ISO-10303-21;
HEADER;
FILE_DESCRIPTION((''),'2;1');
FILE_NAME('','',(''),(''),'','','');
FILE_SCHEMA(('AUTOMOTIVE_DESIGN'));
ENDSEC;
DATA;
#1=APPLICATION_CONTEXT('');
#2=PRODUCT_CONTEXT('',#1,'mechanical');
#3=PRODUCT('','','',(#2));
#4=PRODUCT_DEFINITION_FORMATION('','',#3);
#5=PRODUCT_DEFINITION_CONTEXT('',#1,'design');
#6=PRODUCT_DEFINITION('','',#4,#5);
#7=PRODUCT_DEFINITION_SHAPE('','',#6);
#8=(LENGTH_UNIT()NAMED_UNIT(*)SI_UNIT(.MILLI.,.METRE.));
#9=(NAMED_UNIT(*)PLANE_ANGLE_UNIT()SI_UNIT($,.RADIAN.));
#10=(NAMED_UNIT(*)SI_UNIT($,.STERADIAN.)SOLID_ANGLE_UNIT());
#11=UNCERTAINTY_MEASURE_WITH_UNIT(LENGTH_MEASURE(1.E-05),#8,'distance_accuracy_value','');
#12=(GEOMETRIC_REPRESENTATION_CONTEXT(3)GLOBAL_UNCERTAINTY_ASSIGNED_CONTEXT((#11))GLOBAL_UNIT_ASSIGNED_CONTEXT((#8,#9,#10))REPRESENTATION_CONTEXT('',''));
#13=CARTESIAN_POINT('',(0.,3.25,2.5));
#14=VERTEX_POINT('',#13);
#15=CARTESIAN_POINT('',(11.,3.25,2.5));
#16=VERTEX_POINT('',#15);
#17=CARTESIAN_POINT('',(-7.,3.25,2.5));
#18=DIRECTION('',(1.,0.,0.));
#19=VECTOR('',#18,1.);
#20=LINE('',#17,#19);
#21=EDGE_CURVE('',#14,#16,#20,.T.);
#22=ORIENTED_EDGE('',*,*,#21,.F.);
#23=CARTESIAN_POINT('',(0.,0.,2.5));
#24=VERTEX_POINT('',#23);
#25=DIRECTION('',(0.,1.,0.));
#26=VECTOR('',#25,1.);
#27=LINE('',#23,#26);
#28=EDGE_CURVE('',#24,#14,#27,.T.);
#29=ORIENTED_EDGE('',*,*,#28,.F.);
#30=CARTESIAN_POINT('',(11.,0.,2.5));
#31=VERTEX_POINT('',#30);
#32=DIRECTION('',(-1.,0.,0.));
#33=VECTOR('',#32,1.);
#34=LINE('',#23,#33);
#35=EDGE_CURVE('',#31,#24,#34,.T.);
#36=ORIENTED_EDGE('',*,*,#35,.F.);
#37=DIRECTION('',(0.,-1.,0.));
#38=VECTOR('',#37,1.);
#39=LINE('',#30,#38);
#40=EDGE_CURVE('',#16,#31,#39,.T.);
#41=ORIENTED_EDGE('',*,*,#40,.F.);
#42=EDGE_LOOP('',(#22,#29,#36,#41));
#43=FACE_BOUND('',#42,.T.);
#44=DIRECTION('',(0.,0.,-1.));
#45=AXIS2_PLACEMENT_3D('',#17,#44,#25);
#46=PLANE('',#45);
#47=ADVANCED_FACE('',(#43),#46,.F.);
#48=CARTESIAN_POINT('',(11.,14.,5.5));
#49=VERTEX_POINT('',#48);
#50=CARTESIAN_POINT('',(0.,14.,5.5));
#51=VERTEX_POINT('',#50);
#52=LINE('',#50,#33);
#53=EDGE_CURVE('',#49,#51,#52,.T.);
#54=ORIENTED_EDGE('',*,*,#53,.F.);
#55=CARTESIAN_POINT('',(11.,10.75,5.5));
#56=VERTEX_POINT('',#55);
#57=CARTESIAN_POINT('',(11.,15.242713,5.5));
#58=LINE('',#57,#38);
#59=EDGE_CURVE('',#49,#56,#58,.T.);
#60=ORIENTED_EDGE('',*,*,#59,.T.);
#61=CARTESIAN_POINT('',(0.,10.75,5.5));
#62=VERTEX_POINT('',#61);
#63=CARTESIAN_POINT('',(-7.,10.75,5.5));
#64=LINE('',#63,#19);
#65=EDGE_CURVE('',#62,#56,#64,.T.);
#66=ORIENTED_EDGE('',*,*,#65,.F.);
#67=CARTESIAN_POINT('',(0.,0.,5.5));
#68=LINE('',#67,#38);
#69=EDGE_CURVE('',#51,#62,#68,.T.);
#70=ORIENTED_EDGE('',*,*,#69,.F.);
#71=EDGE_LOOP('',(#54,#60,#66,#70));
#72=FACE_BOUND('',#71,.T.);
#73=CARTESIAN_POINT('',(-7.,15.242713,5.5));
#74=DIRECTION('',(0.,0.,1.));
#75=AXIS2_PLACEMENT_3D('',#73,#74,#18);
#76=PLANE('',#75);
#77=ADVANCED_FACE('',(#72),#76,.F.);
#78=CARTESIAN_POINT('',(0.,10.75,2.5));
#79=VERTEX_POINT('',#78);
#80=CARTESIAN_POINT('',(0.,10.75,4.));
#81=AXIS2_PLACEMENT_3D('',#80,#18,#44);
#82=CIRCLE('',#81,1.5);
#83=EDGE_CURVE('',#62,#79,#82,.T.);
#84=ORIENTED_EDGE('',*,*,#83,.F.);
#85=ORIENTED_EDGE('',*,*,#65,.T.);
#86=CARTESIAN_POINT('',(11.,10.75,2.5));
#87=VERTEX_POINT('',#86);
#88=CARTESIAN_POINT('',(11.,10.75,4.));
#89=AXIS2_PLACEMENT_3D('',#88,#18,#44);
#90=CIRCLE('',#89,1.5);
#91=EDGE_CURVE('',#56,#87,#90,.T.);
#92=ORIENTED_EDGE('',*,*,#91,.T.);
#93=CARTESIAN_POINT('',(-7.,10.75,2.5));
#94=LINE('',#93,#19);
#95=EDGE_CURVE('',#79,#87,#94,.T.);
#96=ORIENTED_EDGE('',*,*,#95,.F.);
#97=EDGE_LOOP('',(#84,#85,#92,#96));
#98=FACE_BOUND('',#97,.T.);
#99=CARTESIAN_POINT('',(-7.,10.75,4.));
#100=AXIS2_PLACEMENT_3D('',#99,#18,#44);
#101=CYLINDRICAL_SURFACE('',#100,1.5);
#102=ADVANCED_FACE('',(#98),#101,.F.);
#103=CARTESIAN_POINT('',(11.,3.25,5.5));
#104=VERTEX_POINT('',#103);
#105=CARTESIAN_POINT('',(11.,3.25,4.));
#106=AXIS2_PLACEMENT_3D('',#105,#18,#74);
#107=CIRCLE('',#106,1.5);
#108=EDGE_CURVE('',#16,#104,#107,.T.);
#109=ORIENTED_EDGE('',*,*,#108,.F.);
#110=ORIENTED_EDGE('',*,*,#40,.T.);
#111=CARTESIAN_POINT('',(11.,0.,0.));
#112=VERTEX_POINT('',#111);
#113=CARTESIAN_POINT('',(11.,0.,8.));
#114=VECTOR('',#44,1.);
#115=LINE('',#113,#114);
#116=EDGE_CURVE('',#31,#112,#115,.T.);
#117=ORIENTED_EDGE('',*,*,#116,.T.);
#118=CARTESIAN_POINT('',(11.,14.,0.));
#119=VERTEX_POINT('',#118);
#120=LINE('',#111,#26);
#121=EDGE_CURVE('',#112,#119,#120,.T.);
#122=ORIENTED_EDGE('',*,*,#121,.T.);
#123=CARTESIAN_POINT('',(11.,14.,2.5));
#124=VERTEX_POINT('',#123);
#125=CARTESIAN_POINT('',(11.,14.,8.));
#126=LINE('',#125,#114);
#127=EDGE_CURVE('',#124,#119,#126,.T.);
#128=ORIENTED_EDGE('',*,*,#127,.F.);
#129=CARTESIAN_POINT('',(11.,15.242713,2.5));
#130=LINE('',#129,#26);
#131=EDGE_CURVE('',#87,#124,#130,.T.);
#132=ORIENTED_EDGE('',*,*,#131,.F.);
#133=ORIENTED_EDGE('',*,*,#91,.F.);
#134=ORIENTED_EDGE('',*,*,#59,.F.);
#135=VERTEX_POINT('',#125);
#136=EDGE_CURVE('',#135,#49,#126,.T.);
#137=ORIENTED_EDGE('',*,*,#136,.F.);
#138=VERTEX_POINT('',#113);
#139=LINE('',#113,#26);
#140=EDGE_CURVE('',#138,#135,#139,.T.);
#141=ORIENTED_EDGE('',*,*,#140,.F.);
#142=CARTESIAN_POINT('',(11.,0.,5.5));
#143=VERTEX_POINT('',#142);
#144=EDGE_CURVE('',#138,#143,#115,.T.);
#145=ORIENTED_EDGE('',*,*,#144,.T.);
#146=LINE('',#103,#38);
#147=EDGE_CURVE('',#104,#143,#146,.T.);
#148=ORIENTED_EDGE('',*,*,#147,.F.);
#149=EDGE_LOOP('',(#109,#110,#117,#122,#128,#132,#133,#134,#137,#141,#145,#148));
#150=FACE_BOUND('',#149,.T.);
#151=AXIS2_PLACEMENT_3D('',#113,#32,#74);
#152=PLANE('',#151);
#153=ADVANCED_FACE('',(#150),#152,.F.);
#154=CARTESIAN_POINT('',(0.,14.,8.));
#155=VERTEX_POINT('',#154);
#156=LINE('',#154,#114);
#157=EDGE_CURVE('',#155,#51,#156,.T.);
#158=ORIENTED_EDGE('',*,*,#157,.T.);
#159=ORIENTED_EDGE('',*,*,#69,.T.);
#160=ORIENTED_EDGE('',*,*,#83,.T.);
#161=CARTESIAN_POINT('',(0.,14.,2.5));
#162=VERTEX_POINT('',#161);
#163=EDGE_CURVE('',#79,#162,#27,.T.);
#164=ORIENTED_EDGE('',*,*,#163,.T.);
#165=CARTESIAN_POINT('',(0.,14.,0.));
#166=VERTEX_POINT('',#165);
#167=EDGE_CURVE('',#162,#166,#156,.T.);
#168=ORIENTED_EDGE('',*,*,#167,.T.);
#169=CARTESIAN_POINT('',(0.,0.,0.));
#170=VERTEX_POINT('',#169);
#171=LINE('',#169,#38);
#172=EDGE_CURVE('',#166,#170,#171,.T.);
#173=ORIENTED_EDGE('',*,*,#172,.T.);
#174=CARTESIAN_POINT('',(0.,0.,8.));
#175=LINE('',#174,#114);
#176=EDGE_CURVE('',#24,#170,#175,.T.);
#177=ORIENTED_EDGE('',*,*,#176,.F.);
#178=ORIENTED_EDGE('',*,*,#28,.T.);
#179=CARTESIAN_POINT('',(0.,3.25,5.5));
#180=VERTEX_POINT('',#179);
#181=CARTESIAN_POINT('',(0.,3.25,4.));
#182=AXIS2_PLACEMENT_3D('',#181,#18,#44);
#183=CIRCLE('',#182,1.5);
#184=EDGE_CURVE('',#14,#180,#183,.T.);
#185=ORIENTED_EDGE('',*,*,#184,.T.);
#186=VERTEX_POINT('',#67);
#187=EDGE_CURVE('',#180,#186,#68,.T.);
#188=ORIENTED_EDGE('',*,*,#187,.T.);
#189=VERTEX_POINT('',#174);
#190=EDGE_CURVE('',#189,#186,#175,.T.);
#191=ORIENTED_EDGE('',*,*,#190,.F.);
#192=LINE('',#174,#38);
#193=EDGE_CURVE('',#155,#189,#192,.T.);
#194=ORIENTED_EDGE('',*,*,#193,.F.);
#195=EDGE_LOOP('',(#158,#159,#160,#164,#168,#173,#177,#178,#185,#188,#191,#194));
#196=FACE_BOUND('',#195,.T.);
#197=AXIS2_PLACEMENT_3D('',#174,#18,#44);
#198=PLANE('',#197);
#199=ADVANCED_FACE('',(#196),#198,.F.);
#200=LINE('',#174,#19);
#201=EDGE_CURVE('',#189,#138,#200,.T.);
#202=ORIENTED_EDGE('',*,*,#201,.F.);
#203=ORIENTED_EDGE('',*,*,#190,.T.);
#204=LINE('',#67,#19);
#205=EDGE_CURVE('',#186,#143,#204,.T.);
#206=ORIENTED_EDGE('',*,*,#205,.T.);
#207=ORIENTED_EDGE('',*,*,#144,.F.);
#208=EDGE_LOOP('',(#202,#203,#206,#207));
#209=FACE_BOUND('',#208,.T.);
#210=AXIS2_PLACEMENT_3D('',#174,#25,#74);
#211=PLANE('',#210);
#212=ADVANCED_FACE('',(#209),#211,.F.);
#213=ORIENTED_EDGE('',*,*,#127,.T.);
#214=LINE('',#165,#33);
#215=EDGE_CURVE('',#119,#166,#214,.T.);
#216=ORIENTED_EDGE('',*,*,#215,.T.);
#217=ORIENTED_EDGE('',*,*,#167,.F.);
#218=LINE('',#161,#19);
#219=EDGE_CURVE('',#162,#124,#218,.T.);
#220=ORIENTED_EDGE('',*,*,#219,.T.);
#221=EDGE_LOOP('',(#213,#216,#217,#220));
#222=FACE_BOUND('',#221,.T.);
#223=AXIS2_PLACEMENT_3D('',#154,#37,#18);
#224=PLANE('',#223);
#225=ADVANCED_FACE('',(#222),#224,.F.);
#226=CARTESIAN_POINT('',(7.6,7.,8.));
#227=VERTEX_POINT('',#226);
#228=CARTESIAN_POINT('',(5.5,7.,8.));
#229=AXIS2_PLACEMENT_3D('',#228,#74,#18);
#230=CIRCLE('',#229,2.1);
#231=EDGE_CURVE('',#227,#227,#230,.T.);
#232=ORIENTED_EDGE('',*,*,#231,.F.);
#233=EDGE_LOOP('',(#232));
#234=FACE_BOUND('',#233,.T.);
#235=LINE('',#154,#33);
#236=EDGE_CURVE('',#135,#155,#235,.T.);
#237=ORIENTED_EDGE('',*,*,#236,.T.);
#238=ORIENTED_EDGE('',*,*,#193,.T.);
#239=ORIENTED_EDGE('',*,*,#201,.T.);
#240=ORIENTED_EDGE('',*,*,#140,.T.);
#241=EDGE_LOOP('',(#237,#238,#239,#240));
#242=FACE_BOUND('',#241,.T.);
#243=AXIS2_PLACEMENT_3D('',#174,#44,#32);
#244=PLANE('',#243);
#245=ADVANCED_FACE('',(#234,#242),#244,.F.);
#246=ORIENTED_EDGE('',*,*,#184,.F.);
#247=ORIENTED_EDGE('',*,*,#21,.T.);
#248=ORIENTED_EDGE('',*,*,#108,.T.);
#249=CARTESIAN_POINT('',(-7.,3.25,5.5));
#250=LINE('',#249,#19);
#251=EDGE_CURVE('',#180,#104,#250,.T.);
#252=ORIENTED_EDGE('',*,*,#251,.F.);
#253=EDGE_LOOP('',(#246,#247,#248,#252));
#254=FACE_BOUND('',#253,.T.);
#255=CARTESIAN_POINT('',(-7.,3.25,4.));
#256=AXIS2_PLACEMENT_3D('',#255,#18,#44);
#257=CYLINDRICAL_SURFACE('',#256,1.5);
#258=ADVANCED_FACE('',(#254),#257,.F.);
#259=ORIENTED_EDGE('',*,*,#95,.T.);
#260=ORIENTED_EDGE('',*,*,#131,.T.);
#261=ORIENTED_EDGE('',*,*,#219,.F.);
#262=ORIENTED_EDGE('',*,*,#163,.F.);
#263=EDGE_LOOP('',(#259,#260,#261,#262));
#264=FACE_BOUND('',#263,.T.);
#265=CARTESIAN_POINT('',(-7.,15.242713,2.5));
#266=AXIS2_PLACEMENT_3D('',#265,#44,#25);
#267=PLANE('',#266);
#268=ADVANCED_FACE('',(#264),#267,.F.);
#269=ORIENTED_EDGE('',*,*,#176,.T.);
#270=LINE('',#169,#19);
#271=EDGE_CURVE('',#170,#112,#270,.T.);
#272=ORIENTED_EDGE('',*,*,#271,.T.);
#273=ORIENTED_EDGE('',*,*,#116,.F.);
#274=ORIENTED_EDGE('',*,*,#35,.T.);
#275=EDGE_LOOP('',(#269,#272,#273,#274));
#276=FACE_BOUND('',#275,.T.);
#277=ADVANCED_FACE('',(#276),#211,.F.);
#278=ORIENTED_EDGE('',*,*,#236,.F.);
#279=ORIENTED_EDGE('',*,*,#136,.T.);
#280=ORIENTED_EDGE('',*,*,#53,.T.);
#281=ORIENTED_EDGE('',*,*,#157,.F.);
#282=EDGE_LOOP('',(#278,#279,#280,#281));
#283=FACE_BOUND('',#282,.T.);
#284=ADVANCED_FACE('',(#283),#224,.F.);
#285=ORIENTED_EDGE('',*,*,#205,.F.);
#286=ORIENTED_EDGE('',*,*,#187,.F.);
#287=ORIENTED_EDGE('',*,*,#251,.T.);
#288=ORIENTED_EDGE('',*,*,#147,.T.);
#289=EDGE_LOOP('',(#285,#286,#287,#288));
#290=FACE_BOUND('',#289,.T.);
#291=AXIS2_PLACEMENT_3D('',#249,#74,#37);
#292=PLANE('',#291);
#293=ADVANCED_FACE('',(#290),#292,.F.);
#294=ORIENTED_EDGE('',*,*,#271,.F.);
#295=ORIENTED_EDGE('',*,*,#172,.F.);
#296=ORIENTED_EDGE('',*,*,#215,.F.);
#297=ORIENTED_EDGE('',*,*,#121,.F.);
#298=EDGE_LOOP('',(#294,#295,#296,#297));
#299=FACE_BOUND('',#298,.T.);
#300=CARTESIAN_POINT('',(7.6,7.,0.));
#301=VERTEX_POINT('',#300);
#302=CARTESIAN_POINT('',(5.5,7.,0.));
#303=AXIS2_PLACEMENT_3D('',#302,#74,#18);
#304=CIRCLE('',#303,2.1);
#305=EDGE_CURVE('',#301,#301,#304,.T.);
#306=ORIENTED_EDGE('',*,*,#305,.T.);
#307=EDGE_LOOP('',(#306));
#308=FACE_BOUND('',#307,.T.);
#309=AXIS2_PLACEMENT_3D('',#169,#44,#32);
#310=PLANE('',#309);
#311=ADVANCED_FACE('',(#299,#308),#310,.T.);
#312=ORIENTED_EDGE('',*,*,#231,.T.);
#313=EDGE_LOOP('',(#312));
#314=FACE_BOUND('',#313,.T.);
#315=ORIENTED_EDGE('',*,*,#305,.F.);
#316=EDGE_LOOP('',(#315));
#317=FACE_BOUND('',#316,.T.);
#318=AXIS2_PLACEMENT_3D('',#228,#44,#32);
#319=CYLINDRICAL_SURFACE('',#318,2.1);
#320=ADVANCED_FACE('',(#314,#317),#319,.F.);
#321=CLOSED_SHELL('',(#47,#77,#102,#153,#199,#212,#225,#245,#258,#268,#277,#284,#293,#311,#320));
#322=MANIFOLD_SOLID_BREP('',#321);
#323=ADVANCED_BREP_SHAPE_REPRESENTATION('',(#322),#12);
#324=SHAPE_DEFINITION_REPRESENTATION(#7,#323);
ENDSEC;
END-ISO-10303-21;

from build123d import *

# Parameters (mm, degrees)
SKETCH_1_W          = 11
SKETCH_1_H          = 14
SKETCH_1_R          = 2.1
EXTRUDE_1_DEPTH     = 8
CUT_EXTRUDE_1_DEPTH = 18


with BuildPart() as part:
    # Эскиз1 → Вытянуть1 (new body)
    with BuildSketch(Plane.XY):
        with Locations((5.5, 7)):
            Rectangle(SKETCH_1_W, SKETCH_1_H)
        with Locations((5.5, 7)):
            Circle(SKETCH_1_R, mode=Mode.SUBTRACT)
    extrude(amount=EXTRUDE_1_DEPTH)

    # Эскиз2 → Вырез-Вытянуть1 (cut)
    with BuildSketch(Plane(origin=(11, 0, 0), x_dir=(0, 0, -1), z_dir=(1, 0, 0))):
        with BuildLine():
            Line((-5.5, 15.242713302), (-2.5, 15.242713302))
            Line((-2.5, 15.242713302), (-2.5, 10.75))
            ThreePointArc((-2.5, 10.75), (-4.00000012, 9.25), (-5.5, 10.750000239))
            Line((-5.5, 10.750000239), (-5.5, 15.242713302))
        make_face()
        with BuildLine():
            Line((-5.5, -1.965553789), (-2.5, -1.965553789))
            Line((-2.5, -1.965553789), (-2.5, 3.25))
            ThreePointArc((-2.5, 3.25), (-3.999999879, 4.75), (-5.5, 3.250000241))
            Line((-5.5, 3.250000241), (-5.5, -1.965553789))
        make_face()
    extrude(amount=-CUT_EXTRUDE_1_DEPTH, mode=Mode.SUBTRACT)


solid = part.part
